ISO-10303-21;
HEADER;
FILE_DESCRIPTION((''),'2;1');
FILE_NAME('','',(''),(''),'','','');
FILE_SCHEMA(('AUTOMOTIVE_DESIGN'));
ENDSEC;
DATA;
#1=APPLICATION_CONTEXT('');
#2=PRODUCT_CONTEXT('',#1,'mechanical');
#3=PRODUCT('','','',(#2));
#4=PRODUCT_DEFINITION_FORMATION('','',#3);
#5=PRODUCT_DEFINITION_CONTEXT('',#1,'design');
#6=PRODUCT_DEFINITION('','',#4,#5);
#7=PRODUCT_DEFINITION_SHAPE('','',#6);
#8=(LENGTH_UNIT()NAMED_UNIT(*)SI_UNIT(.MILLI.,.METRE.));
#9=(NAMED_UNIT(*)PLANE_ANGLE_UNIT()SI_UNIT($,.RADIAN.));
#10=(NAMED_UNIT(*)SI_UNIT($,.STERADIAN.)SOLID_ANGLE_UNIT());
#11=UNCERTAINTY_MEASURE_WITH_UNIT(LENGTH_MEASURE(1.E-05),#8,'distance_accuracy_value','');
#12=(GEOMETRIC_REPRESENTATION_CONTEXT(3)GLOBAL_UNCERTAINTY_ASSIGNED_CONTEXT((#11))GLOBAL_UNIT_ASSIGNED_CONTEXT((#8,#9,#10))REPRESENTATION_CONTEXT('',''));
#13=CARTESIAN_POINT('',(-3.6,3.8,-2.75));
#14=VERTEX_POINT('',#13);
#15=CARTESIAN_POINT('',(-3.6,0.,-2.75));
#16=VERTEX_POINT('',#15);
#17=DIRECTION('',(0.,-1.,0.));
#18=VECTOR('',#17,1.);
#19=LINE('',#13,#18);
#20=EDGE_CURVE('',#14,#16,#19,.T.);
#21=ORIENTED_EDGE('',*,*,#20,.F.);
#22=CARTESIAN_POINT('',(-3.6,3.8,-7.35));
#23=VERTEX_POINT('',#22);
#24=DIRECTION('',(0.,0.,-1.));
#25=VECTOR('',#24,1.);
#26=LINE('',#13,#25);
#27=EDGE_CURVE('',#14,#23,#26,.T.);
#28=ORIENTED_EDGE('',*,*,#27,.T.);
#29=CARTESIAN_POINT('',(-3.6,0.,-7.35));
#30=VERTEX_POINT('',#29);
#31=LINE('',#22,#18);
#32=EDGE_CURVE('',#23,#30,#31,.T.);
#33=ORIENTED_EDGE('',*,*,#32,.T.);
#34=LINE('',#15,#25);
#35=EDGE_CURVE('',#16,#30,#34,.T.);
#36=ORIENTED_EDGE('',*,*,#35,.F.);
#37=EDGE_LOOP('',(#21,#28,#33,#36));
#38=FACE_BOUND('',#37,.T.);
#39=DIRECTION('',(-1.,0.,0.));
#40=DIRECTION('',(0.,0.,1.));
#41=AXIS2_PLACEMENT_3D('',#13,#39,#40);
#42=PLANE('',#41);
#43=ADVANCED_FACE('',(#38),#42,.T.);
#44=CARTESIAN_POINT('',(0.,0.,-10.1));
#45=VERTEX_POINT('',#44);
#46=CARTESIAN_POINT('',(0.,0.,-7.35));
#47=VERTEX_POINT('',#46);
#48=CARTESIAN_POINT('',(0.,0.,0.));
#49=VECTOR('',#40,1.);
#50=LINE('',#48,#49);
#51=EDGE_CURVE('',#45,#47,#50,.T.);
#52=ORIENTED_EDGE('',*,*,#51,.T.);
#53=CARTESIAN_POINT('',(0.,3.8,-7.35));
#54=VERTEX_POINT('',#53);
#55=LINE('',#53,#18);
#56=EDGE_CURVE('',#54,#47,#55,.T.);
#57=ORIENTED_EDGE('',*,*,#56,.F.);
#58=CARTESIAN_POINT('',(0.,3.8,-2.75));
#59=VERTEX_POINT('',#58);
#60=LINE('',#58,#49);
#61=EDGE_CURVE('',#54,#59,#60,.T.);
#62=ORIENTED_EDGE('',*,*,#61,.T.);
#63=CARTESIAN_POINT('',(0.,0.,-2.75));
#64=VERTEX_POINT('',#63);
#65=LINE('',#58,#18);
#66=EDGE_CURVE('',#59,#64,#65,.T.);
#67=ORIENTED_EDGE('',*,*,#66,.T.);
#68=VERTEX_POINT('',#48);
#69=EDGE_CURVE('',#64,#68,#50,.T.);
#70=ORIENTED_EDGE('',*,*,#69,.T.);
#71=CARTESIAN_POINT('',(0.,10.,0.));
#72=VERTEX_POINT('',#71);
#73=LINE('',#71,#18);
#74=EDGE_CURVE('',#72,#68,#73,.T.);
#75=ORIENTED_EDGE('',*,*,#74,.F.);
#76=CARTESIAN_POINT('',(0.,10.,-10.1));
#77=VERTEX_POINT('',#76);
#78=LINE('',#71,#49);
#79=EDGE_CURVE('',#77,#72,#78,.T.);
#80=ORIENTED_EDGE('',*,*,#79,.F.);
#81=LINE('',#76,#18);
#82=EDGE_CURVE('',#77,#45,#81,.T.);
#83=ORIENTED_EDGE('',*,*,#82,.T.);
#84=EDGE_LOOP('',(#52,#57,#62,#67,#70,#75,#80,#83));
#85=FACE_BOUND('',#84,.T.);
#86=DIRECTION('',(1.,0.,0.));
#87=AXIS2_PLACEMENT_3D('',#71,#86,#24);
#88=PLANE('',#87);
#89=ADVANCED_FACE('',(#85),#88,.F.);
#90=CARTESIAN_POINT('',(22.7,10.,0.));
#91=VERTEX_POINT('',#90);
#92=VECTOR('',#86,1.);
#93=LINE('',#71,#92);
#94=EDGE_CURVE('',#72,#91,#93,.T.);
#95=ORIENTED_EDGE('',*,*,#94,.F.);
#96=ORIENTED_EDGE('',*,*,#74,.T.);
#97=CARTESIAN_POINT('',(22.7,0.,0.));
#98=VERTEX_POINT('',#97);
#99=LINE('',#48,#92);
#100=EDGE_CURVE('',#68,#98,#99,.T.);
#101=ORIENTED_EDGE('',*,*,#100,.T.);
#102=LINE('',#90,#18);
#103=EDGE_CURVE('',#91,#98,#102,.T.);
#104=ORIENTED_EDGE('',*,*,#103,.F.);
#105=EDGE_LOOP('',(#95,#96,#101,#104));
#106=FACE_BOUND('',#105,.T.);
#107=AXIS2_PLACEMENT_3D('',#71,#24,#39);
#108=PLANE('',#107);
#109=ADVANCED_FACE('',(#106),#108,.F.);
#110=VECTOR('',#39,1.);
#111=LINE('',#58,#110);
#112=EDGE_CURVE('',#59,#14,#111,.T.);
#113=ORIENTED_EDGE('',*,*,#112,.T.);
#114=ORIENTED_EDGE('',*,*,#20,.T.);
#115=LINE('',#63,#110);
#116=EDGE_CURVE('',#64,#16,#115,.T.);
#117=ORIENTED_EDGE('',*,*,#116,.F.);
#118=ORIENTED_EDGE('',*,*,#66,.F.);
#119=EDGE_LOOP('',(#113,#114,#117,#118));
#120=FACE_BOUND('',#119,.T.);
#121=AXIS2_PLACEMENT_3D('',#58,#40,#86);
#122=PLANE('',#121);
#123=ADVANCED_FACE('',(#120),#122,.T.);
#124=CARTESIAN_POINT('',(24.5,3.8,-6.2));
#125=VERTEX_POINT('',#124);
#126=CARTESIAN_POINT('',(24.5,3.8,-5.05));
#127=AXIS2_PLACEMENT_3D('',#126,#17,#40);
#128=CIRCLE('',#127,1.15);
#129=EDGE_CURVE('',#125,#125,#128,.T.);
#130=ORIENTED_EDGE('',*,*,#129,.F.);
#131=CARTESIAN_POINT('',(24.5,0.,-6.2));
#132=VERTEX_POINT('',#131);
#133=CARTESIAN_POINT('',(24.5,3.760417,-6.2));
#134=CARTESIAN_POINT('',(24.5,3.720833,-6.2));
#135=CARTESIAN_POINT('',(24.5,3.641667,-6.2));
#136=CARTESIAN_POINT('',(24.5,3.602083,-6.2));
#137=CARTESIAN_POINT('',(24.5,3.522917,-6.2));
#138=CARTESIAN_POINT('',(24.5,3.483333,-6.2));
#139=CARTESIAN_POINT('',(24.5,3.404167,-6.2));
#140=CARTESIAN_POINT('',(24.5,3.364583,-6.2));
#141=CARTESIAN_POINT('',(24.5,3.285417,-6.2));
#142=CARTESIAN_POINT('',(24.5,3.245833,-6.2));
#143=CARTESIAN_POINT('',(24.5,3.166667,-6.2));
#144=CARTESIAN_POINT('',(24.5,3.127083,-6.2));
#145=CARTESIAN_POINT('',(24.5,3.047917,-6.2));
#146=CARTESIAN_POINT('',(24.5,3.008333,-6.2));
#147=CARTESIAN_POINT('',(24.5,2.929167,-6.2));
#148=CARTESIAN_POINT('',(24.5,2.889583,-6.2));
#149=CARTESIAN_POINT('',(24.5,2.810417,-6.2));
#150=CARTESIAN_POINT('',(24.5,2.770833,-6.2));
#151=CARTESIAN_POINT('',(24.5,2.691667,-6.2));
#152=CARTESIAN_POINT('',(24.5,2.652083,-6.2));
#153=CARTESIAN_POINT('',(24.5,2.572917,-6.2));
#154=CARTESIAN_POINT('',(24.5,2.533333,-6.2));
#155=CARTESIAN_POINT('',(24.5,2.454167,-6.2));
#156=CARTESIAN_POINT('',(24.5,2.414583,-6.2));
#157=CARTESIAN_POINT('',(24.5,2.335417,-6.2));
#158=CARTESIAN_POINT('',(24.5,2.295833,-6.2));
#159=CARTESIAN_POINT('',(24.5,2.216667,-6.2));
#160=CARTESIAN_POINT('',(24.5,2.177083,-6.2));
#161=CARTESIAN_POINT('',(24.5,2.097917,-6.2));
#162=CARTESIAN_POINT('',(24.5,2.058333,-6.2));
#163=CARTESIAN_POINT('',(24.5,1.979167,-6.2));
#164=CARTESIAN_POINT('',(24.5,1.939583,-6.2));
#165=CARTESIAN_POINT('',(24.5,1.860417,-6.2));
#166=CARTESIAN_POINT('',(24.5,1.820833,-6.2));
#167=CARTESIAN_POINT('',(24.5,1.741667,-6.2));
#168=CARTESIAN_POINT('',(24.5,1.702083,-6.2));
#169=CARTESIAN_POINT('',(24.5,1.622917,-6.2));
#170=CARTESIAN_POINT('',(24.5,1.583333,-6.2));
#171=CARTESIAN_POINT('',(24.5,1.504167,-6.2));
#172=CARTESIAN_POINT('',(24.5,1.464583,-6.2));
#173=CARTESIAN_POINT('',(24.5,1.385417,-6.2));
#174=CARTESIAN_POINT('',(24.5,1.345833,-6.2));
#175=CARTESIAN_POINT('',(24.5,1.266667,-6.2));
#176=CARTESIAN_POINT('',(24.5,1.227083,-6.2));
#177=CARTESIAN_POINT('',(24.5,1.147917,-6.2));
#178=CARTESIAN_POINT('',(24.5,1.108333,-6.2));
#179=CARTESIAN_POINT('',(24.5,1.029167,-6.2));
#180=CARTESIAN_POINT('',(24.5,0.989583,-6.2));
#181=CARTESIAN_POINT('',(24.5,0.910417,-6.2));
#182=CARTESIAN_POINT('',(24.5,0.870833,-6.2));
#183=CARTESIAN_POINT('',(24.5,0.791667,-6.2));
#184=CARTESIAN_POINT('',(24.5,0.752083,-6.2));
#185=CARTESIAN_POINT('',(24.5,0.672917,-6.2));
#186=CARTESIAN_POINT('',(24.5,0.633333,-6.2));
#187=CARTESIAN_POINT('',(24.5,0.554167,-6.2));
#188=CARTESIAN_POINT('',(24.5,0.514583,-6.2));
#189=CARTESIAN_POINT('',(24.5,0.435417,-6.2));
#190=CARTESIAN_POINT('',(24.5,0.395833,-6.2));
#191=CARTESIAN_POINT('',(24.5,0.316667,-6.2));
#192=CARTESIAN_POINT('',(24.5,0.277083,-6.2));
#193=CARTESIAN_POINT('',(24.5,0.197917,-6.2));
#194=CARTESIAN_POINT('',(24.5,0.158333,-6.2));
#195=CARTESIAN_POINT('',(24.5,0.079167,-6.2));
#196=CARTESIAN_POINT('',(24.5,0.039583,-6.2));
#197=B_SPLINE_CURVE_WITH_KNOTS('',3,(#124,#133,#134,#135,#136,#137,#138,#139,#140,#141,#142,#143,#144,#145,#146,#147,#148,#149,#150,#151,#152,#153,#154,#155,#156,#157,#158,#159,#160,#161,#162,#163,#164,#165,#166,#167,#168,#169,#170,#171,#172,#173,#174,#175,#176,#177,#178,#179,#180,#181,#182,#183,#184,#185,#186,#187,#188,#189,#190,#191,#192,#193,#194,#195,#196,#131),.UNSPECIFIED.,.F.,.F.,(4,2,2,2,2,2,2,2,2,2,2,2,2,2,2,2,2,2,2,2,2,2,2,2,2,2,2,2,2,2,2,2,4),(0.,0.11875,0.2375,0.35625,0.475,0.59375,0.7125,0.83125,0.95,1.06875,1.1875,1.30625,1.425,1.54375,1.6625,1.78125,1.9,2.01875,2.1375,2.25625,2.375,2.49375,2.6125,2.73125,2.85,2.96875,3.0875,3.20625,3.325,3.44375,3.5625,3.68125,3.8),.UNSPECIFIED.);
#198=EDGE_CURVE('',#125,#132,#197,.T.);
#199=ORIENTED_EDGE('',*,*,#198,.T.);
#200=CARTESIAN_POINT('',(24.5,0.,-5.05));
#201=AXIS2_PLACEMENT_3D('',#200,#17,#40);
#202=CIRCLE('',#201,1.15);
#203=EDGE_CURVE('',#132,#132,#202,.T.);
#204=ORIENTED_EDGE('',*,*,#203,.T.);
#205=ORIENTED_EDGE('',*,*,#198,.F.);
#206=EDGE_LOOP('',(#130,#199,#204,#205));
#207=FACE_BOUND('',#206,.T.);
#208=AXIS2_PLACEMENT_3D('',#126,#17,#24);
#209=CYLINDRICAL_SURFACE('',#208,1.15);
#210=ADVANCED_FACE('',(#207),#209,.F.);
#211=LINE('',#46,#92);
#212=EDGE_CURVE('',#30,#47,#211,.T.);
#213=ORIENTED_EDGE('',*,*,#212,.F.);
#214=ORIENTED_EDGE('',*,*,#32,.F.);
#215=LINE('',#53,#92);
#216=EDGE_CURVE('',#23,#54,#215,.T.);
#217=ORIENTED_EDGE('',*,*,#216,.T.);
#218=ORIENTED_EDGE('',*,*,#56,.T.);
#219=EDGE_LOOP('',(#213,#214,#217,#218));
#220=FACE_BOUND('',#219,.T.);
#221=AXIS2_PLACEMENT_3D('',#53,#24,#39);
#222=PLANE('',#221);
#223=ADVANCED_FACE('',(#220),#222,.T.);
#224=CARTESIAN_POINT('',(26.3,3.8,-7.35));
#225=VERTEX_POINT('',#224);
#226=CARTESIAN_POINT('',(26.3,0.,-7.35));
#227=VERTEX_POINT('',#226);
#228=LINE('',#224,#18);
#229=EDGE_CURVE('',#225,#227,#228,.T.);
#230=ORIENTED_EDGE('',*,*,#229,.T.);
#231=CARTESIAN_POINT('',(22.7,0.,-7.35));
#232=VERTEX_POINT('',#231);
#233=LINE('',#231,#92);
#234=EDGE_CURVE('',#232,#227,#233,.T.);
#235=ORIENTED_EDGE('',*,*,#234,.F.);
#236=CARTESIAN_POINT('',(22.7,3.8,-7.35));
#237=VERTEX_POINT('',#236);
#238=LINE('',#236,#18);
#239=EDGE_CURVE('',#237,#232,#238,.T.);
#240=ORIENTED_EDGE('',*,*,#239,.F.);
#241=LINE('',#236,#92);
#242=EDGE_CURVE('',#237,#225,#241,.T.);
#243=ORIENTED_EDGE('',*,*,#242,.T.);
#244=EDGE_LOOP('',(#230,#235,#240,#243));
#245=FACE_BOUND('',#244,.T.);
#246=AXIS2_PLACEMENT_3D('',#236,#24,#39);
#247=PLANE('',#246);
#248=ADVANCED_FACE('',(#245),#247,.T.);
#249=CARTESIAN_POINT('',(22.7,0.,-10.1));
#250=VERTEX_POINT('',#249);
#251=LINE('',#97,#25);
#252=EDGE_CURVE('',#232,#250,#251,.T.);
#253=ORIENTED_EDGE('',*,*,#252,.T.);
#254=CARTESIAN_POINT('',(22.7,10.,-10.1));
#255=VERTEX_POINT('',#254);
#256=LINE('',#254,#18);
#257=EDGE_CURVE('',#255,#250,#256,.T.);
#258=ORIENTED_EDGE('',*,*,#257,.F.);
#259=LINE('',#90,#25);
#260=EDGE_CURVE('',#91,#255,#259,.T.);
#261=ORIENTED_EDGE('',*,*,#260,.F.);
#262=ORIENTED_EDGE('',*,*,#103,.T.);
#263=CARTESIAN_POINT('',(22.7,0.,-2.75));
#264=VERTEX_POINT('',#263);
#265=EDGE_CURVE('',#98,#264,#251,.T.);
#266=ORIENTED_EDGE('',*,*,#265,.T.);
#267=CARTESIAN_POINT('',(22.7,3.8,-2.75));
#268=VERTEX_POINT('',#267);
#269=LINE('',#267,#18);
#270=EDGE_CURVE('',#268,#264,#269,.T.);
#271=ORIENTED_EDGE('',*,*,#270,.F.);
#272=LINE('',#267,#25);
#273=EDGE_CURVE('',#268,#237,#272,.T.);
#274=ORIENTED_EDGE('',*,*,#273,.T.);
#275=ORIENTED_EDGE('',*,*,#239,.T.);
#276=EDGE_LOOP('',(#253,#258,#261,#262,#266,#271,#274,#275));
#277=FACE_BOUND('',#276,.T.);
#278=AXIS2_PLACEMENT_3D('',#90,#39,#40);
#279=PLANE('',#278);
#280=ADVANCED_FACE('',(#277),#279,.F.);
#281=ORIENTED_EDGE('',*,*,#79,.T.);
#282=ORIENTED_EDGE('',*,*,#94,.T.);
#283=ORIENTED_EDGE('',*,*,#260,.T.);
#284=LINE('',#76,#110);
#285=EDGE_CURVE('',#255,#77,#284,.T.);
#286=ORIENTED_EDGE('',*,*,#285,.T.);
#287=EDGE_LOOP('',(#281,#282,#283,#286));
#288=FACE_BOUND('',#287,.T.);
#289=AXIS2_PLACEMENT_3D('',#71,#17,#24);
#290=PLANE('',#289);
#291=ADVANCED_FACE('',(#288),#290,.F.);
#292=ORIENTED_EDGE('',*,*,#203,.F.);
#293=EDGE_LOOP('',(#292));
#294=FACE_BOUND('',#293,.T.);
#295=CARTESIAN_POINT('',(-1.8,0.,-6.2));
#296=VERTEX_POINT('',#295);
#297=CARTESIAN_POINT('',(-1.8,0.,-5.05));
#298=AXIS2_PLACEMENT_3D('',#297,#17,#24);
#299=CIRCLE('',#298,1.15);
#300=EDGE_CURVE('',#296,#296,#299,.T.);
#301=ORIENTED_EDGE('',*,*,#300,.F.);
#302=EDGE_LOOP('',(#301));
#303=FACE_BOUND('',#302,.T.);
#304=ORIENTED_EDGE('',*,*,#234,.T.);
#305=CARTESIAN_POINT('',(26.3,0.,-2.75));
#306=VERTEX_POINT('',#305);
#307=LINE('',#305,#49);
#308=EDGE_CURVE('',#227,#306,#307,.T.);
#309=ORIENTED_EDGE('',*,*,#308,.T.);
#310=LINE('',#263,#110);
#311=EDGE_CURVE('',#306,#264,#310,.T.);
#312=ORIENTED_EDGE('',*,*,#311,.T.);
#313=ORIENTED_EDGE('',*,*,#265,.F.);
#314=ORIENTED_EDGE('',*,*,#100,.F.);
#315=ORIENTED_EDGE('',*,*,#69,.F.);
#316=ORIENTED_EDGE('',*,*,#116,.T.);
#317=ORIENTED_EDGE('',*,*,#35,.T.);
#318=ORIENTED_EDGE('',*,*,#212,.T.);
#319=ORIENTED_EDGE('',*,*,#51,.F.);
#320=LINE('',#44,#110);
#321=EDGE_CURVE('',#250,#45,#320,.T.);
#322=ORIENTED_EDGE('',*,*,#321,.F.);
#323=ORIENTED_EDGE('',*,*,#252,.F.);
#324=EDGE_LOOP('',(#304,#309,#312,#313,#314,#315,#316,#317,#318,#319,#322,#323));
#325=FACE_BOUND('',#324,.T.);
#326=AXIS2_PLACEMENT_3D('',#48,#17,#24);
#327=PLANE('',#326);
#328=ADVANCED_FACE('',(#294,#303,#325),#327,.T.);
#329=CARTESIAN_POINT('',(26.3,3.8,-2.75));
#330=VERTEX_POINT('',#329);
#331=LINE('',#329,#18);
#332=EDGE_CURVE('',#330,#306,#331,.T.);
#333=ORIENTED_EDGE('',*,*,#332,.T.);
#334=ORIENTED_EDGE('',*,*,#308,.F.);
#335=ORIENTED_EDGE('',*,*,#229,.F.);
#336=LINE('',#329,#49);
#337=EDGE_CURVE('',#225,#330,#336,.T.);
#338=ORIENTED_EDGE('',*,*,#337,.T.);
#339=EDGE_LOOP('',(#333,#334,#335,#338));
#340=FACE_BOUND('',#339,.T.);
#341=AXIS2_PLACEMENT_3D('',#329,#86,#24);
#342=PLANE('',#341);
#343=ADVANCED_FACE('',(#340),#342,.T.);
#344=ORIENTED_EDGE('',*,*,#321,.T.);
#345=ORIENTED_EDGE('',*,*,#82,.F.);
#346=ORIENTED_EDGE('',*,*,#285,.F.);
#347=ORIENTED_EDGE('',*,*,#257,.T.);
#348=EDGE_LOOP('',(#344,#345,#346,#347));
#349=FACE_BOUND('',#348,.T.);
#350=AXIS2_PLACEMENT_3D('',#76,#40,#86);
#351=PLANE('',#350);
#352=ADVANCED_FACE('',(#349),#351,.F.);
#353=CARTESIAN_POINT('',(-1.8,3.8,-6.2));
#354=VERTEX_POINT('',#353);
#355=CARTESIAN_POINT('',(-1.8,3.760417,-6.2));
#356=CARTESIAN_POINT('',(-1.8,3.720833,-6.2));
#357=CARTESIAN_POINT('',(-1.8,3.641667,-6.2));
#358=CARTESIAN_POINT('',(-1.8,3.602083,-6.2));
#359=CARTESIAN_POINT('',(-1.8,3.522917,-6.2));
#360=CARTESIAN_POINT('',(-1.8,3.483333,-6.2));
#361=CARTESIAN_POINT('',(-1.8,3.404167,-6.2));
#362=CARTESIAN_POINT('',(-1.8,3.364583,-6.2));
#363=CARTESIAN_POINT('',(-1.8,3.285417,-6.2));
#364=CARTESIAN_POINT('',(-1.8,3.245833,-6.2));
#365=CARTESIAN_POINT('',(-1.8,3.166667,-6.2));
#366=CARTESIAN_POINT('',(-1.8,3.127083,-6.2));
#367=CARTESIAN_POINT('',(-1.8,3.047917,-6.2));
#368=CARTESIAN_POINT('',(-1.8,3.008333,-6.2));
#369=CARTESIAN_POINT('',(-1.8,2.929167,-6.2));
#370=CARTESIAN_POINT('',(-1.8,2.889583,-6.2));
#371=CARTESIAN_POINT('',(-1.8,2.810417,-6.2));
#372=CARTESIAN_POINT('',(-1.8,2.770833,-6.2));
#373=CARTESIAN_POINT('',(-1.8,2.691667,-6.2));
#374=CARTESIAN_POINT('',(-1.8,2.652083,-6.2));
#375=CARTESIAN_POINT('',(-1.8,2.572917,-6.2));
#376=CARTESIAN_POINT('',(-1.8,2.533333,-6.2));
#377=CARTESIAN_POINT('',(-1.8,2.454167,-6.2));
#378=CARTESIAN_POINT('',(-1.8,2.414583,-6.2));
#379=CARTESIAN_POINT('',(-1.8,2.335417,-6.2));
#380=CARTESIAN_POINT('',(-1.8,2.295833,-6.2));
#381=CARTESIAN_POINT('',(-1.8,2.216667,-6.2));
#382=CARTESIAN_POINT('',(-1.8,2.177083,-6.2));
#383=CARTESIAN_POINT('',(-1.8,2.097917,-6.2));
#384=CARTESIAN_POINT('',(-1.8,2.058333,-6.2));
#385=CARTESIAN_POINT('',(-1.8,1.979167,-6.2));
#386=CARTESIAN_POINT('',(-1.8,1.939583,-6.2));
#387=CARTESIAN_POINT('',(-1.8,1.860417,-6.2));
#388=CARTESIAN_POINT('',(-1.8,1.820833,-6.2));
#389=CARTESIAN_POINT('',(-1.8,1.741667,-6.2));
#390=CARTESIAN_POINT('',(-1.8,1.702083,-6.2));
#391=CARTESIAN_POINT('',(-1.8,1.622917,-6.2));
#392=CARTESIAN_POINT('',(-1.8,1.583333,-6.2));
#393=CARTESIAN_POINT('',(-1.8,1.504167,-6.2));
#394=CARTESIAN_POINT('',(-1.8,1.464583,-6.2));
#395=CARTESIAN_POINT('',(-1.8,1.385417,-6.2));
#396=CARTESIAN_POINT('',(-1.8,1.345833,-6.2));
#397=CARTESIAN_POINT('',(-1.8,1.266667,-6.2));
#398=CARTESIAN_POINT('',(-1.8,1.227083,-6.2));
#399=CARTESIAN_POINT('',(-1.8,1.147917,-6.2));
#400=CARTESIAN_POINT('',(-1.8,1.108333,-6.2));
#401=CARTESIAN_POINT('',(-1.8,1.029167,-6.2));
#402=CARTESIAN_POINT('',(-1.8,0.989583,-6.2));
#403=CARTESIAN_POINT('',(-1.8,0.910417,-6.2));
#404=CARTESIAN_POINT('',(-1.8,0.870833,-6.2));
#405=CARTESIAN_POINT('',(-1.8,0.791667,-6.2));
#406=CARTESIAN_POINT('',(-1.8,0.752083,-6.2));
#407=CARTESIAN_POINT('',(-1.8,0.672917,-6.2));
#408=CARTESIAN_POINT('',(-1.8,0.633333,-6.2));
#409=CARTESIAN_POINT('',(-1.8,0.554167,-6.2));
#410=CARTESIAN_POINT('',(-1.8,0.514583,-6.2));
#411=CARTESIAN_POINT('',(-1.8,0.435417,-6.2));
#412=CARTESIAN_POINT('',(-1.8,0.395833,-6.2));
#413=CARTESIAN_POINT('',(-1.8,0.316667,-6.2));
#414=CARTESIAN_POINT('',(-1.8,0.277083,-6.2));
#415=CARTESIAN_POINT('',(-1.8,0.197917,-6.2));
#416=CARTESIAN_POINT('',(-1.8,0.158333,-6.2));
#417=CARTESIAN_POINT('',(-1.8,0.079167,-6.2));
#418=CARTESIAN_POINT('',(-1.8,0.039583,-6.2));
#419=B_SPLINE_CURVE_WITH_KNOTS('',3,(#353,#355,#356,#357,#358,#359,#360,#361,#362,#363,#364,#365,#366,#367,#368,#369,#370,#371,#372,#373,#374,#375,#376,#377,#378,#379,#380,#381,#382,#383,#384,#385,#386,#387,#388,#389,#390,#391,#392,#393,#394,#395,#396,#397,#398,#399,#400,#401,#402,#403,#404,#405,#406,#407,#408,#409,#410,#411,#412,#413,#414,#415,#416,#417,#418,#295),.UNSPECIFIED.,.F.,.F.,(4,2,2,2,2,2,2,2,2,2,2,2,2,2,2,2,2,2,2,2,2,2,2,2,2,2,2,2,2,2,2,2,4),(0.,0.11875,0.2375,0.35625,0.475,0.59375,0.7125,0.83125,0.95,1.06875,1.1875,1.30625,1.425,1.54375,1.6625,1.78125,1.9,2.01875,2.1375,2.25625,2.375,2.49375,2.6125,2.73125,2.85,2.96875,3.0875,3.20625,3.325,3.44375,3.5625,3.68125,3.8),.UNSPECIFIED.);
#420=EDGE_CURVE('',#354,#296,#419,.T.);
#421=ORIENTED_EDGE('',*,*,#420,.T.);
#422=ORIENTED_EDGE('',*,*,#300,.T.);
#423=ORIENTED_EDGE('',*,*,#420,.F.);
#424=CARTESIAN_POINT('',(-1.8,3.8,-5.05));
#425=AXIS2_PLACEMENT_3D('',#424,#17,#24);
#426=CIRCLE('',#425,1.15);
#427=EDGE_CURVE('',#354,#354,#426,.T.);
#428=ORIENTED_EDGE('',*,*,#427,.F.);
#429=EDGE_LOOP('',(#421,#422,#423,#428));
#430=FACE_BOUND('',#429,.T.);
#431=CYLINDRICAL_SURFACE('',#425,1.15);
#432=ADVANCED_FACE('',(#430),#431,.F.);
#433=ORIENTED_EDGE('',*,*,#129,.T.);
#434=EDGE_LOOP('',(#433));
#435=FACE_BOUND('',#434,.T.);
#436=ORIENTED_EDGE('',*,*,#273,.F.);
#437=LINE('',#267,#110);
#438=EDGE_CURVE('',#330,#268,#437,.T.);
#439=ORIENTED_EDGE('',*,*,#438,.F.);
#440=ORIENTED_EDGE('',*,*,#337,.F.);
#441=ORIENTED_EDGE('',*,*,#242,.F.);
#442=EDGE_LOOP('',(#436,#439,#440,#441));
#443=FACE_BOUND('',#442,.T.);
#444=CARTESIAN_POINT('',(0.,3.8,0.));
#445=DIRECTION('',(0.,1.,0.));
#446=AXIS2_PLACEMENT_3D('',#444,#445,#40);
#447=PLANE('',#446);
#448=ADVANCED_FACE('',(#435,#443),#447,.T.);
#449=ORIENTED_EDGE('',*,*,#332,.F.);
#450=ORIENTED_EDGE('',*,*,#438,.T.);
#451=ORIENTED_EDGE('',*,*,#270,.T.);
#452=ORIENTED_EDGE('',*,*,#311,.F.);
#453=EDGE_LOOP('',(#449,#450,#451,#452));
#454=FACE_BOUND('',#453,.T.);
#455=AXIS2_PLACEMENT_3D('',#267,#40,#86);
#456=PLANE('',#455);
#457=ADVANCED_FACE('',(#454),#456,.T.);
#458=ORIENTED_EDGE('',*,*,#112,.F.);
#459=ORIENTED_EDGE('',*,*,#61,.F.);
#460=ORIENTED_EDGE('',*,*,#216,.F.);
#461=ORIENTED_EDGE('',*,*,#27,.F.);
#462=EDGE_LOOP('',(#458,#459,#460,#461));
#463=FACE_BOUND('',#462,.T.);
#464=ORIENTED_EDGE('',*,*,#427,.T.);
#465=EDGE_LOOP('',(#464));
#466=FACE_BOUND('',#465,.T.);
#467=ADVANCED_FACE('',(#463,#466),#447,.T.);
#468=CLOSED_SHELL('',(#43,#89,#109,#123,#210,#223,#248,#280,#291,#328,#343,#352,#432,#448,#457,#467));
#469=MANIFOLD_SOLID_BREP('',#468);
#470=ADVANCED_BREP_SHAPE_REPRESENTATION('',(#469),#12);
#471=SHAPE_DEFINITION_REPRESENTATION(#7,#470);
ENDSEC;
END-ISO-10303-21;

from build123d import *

# Parameters (mm, degrees)
SKETCH_1_W      = 22.7
SKETCH_1_H      = 10.1
EXTRUDE_1_DEPTH = 10
SKETCH_2_W      = 3.6
SKETCH_2_H      = 4.6
SKETCH_2_R      = 1.15
EXTRUDE_2_DEPTH = 3.8


with BuildPart() as part:
    # ｽｹｯﾁ1 → ﾎﾞｽ - 押し出し1 (new body)
    with BuildSketch(Plane(origin=(0, 0, 0), x_dir=(1, 0, 0), z_dir=(0, 1, 0))):
        with Locations((11.35, 5.05)):
            Rectangle(SKETCH_1_W, SKETCH_1_H)
    extrude(amount=EXTRUDE_1_DEPTH)

    # ｽｹｯﾁ2 → ﾎﾞｽ - 押し出し2 (add)
    # profile 1 of 2: a face of its own
    with BuildSketch(Plane.XZ):
        with Locations((-1.8, -5.05)):
            Rectangle(SKETCH_2_W, SKETCH_2_H)
        with Locations(Location((-1.8, -5.05, 0), (0, 0, 270))):
            Circle(SKETCH_2_R, mode=Mode.SUBTRACT)
    # profile 2 of 2: a face of its own
    with BuildSketch(Plane.XZ):
        with Locations((24.5, -5.05)):
            Rectangle(SKETCH_2_W, SKETCH_2_H)
        with Locations(Location((24.5, -5.05, 0), (0, 0, 270))):
            Circle(SKETCH_2_R, mode=Mode.SUBTRACT)
    extrude(amount=-EXTRUDE_2_DEPTH)


solid = part.part
